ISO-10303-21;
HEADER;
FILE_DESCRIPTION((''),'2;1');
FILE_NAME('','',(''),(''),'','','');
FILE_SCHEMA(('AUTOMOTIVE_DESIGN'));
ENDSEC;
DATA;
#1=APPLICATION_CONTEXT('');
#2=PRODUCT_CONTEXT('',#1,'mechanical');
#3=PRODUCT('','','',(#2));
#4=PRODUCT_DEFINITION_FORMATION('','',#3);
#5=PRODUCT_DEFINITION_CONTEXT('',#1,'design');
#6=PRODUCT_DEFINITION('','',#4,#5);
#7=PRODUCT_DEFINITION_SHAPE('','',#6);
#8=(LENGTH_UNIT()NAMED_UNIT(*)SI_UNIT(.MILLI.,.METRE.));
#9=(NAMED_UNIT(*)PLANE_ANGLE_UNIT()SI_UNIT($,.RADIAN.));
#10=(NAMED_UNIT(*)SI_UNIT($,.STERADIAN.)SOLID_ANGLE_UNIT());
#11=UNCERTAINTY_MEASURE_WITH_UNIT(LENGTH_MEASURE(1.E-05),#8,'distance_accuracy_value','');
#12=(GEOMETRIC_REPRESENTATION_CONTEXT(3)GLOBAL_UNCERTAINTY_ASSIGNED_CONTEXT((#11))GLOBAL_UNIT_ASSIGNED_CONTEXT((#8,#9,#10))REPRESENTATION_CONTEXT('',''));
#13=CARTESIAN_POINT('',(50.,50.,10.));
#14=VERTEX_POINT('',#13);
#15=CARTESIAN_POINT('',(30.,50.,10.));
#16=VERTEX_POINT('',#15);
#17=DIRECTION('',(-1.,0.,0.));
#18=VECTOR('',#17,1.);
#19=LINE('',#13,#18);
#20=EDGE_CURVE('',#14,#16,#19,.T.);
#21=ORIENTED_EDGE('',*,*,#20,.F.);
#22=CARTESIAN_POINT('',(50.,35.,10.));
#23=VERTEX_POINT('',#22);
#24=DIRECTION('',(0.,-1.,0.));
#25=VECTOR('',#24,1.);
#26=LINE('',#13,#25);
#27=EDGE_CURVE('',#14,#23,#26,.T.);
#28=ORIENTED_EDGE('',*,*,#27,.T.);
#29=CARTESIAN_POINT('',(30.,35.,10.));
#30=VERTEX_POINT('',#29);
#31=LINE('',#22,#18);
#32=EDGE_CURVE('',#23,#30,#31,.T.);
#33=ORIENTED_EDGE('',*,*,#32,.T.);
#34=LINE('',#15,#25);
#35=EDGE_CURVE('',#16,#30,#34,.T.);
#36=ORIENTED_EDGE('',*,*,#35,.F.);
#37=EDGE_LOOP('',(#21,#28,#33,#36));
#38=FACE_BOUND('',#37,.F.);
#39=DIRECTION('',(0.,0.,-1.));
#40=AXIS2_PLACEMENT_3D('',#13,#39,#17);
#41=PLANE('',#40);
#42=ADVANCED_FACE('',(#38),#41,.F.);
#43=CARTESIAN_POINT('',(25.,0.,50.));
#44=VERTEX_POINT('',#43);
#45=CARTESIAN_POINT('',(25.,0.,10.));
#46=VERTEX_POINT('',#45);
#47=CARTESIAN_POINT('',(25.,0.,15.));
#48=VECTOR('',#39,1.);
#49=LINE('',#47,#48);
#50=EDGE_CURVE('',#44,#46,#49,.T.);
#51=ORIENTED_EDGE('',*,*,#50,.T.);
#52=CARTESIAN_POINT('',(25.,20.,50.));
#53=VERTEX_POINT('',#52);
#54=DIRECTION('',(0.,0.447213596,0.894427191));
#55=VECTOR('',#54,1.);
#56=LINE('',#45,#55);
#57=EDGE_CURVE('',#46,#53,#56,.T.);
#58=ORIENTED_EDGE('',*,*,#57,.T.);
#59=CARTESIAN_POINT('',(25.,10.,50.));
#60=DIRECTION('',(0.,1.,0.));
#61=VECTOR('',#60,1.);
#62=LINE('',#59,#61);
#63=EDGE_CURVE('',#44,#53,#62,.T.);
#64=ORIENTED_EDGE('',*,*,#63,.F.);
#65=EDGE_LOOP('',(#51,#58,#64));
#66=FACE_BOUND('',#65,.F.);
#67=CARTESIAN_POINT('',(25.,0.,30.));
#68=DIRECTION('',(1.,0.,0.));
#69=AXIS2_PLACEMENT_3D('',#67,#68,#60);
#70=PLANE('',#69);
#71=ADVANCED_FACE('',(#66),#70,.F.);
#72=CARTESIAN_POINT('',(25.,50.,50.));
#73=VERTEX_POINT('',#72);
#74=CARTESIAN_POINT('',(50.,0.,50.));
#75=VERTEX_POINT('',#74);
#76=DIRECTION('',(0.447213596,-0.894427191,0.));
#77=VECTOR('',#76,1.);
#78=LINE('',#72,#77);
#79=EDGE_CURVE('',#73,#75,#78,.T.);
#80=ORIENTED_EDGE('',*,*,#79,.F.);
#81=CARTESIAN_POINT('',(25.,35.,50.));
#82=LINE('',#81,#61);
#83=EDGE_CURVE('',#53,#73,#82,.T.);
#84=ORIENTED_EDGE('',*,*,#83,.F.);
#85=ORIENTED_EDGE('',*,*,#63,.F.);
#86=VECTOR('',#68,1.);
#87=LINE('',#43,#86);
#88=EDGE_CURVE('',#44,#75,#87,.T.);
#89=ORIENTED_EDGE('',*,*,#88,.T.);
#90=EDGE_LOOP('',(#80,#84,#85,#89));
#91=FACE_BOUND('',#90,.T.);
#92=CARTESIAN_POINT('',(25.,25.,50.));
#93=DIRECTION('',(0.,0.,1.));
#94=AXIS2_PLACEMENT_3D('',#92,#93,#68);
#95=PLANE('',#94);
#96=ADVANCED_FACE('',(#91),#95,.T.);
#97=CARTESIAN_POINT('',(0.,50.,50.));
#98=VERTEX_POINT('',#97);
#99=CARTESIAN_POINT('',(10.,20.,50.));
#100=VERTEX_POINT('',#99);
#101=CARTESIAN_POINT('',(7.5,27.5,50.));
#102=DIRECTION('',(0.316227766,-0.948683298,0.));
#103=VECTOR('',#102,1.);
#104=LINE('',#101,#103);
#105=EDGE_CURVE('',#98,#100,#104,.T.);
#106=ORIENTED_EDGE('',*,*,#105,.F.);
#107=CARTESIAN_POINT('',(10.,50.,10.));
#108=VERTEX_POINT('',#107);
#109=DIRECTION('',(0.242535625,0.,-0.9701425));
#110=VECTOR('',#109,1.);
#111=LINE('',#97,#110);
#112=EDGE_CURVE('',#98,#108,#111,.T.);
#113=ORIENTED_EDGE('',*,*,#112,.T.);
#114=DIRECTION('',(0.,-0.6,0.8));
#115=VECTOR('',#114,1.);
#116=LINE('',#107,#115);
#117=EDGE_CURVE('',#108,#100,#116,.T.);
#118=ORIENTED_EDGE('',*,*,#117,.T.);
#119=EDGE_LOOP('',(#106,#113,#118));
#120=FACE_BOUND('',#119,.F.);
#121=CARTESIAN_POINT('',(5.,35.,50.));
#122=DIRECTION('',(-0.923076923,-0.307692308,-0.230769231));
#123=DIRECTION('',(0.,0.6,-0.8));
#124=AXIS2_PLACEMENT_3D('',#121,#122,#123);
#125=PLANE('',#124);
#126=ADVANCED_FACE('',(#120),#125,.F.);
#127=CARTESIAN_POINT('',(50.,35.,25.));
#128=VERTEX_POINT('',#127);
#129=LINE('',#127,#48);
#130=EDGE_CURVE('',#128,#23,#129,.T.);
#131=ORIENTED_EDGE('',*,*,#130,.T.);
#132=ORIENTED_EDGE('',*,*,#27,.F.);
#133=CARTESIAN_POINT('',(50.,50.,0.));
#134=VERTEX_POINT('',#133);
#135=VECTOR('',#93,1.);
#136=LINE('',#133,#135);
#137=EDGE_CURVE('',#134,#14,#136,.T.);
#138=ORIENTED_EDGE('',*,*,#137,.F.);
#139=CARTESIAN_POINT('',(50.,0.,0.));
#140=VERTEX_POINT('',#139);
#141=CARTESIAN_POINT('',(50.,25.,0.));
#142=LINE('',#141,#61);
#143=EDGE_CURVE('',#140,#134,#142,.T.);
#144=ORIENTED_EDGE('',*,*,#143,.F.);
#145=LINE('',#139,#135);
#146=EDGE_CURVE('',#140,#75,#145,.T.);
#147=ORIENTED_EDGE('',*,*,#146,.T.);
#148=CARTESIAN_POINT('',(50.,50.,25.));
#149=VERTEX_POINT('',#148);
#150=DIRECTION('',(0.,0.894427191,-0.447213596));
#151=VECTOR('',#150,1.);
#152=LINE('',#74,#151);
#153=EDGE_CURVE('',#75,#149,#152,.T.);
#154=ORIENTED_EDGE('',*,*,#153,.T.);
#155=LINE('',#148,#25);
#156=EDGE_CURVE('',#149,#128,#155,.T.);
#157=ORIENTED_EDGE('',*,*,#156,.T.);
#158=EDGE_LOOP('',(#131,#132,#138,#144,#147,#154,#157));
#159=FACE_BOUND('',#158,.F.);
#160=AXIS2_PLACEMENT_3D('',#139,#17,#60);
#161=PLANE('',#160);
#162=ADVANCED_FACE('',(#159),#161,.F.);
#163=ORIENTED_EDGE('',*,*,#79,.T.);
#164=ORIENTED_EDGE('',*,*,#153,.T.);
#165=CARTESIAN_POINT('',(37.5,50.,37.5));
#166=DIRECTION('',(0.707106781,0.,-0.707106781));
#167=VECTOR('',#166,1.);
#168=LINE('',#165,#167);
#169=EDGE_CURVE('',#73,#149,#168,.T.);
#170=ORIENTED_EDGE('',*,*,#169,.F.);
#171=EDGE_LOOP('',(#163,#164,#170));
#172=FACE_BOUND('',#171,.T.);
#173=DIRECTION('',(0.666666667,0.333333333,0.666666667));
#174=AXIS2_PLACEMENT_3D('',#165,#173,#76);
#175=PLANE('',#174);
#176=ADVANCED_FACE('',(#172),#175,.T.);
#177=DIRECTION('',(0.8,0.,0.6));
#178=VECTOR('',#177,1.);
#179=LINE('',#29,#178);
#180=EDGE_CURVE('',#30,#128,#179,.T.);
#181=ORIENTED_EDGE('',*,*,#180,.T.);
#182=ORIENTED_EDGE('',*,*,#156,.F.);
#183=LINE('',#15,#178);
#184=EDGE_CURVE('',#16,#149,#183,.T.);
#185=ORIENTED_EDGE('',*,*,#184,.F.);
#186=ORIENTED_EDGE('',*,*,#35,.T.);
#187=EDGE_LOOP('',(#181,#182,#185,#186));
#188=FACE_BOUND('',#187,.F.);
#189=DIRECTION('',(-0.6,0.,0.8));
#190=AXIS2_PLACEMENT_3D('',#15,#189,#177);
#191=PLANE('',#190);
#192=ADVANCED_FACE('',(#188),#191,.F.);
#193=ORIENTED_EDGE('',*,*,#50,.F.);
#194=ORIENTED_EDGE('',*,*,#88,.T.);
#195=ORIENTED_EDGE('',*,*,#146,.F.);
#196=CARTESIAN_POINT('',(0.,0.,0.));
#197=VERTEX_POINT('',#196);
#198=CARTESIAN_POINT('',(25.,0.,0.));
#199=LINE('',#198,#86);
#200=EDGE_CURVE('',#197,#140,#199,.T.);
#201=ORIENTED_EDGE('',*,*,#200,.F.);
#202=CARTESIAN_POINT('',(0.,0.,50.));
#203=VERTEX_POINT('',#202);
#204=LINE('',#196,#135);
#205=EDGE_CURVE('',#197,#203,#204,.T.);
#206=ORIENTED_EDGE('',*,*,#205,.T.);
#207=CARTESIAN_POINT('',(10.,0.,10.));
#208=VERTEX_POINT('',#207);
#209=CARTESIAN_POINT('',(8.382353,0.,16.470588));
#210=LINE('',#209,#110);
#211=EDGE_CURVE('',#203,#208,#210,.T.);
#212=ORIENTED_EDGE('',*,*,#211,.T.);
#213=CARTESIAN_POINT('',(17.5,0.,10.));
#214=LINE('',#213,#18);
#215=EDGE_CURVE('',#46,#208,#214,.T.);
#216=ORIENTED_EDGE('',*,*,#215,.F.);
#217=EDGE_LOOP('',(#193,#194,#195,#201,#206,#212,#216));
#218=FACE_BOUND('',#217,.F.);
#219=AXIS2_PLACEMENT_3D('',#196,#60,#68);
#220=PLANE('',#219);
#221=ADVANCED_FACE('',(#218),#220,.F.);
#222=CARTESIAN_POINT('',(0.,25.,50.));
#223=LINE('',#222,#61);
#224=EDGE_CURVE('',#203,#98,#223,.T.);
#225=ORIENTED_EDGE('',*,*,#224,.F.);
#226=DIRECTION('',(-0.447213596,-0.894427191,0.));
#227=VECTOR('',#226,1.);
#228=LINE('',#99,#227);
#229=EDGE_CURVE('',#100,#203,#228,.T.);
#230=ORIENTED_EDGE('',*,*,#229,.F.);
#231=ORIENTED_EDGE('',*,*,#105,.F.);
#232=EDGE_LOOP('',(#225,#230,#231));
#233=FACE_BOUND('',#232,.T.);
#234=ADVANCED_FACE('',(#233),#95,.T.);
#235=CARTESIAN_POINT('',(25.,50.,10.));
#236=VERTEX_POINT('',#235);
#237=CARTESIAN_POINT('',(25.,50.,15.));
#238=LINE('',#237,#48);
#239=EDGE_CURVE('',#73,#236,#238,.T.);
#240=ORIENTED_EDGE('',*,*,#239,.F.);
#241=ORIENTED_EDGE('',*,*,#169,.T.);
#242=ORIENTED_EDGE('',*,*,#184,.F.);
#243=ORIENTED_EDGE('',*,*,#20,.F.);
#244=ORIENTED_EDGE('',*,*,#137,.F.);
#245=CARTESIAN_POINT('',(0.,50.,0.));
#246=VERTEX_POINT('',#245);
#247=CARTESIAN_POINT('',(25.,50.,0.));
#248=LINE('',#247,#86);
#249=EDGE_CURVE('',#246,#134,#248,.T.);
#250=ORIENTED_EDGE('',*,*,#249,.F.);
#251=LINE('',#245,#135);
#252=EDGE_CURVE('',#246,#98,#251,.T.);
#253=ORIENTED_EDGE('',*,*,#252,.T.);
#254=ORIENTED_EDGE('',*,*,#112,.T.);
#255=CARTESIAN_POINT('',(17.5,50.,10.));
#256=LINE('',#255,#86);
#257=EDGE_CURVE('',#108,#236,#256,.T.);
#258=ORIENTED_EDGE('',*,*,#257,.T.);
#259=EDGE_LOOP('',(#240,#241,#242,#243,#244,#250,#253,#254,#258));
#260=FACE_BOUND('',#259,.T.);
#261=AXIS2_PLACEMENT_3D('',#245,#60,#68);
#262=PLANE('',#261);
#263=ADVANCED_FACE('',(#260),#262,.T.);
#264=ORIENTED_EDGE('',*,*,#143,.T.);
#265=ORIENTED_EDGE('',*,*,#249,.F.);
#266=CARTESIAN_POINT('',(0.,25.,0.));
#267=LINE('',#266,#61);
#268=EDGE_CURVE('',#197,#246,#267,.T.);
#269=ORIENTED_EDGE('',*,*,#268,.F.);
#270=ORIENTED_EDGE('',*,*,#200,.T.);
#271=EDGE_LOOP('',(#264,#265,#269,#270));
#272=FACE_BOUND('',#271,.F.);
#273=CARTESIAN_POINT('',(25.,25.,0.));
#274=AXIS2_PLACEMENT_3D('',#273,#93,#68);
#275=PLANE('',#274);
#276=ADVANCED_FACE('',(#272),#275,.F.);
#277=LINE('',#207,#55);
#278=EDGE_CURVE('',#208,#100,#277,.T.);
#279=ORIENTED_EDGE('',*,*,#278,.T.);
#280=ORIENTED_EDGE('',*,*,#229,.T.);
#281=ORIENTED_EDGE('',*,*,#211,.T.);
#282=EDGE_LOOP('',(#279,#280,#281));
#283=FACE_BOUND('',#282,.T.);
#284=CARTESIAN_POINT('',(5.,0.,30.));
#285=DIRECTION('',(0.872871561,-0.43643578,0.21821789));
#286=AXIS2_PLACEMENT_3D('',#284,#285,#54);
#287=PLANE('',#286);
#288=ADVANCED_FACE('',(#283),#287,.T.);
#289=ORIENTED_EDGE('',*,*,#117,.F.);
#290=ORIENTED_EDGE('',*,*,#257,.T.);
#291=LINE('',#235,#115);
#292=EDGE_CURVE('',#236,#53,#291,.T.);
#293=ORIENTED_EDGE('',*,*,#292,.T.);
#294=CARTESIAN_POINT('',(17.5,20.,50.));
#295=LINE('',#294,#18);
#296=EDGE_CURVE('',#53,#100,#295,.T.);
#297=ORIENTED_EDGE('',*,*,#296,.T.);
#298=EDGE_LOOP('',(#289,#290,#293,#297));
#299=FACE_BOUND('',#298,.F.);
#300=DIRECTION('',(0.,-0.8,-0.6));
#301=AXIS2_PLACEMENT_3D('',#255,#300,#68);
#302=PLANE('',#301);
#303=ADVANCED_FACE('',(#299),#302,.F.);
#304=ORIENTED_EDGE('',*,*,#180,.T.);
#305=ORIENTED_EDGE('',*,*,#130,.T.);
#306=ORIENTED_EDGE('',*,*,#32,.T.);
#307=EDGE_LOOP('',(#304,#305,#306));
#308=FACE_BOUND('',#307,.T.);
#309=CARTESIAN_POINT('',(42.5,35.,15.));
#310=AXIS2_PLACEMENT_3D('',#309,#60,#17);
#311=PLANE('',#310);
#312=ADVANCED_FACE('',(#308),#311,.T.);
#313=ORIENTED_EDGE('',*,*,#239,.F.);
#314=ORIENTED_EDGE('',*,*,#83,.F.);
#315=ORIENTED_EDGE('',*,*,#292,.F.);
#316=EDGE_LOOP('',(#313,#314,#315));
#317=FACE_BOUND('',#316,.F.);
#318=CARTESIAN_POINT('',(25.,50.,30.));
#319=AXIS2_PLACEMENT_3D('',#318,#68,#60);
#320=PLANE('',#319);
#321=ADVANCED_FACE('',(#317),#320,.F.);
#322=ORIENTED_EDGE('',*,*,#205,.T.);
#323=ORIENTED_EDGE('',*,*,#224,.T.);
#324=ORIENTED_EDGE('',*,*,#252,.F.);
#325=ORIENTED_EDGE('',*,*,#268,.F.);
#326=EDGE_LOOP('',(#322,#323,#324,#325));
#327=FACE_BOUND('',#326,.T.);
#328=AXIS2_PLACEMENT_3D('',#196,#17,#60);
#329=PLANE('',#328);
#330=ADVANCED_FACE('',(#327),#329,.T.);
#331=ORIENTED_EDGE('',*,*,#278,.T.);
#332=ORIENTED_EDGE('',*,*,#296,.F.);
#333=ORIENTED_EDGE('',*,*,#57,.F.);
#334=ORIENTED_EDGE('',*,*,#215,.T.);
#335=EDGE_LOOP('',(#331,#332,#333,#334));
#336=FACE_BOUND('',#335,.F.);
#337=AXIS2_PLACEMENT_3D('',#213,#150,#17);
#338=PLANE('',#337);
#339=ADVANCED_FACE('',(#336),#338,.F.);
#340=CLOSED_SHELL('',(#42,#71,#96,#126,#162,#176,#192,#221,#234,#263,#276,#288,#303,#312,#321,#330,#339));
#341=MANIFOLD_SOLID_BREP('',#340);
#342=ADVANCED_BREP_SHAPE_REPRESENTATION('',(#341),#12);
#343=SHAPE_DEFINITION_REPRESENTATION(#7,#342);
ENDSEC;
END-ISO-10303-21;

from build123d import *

# Parameters (mm, degrees)
F0_W      = 50
F0_H      = 50
F1_DEPTH  = 50
F2_W      = 15
F2_H      = 20
F5_W      = 15
F5_H      = 30
F16_DEPTH = 15


with BuildPart() as f1:
    # F0 (on Top) → F1 (new body)
    with BuildSketch(Plane.XY):
        with Locations((25, 25)):
            Rectangle(F0_W, F0_H)
    extrude(amount=F1_DEPTH)

    # F4: sweep along a path in F3
    with BuildLine(Plane.YZ.offset(50)) as f4_path:
        Line((0, 10), (20, 50))
    # F2 (on face) → F4 (sweep, cut)
    with BuildSketch(Plane.XY.offset(50)):
        with Locations((17.5, 10)):
            Rectangle(F2_W, F2_H)
    sweep(path=f4_path.line, mode=Mode.SUBTRACT)

    # F7: sweep along a path in F6
    with BuildLine(Plane.YZ.offset(50)) as f7_path:
        Line((50, 10), (20, 50))
    # F5 (on face) → F7 (sweep, cut)
    with BuildSketch(Plane.XY.offset(50)):
        with Locations((17.5, 35)):
            Rectangle(F5_W, F5_H)
    sweep(path=f7_path.line, mode=Mode.SUBTRACT)

    # F9: sweep along a path in F8
    with BuildLine(Plane(origin=(0, 50, 0), x_dir=(-1, 0, 0), z_dir=(0, 1, 0))) as f9_path:
        Line((0, 50), (-10, 10))
    # F7_face (on face) → F9 (sweep, cut)
    with BuildSketch(Plane(origin=(10, 40, 36.6666666667), x_dir=(0, 1, 0), z_dir=(1, 0, 0))):
        Polygon((10, 13.3333333333), (-20, 13.3333333333), (10, -26.6666666667), align=None)
    sweep(path=f9_path.line, mode=Mode.SUBTRACT)

    # F11: sweep along a path in F10
    with BuildLine(Plane.XY.offset(50)) as f11_path:
        Line((10, 20), (0, 0))
    # F4_face (on face) → F11 (sweep, cut)
    with BuildSketch(Plane(origin=(10, 6.6666666667, 36.6666666667), x_dir=(0, 1, 0), z_dir=(1, 0, 0))):
        Polygon((-6.6666666667, -26.6666666667), (13.3333333333, 13.3333333333), (-6.6666666667, 13.3333333333), align=None)
    sweep(path=f11_path.line, mode=Mode.SUBTRACT)

    # F14: sweep along a path in F13
    with BuildLine(Plane.YZ.offset(50)) as f14_path:
        Line((0, 50), (50, 25))
    # F12 (on face) → F14 (sweep, cut)
    with BuildSketch(Plane.XY.offset(50)):
        Polygon((50, 50), (25, 50), (50, 0), align=None)
    sweep(path=f14_path.line, mode=Mode.SUBTRACT)

    # F15 (on face) → F16 (cut)
    with BuildSketch(Plane(origin=(0, 50, 0), x_dir=(-1, 0, 0), z_dir=(0, 1, 0))):
        Polygon((-50, 25), (-50, 10), (-30, 10), align=None)
    extrude(amount=-F16_DEPTH, mode=Mode.SUBTRACT)


solid = f1.part
